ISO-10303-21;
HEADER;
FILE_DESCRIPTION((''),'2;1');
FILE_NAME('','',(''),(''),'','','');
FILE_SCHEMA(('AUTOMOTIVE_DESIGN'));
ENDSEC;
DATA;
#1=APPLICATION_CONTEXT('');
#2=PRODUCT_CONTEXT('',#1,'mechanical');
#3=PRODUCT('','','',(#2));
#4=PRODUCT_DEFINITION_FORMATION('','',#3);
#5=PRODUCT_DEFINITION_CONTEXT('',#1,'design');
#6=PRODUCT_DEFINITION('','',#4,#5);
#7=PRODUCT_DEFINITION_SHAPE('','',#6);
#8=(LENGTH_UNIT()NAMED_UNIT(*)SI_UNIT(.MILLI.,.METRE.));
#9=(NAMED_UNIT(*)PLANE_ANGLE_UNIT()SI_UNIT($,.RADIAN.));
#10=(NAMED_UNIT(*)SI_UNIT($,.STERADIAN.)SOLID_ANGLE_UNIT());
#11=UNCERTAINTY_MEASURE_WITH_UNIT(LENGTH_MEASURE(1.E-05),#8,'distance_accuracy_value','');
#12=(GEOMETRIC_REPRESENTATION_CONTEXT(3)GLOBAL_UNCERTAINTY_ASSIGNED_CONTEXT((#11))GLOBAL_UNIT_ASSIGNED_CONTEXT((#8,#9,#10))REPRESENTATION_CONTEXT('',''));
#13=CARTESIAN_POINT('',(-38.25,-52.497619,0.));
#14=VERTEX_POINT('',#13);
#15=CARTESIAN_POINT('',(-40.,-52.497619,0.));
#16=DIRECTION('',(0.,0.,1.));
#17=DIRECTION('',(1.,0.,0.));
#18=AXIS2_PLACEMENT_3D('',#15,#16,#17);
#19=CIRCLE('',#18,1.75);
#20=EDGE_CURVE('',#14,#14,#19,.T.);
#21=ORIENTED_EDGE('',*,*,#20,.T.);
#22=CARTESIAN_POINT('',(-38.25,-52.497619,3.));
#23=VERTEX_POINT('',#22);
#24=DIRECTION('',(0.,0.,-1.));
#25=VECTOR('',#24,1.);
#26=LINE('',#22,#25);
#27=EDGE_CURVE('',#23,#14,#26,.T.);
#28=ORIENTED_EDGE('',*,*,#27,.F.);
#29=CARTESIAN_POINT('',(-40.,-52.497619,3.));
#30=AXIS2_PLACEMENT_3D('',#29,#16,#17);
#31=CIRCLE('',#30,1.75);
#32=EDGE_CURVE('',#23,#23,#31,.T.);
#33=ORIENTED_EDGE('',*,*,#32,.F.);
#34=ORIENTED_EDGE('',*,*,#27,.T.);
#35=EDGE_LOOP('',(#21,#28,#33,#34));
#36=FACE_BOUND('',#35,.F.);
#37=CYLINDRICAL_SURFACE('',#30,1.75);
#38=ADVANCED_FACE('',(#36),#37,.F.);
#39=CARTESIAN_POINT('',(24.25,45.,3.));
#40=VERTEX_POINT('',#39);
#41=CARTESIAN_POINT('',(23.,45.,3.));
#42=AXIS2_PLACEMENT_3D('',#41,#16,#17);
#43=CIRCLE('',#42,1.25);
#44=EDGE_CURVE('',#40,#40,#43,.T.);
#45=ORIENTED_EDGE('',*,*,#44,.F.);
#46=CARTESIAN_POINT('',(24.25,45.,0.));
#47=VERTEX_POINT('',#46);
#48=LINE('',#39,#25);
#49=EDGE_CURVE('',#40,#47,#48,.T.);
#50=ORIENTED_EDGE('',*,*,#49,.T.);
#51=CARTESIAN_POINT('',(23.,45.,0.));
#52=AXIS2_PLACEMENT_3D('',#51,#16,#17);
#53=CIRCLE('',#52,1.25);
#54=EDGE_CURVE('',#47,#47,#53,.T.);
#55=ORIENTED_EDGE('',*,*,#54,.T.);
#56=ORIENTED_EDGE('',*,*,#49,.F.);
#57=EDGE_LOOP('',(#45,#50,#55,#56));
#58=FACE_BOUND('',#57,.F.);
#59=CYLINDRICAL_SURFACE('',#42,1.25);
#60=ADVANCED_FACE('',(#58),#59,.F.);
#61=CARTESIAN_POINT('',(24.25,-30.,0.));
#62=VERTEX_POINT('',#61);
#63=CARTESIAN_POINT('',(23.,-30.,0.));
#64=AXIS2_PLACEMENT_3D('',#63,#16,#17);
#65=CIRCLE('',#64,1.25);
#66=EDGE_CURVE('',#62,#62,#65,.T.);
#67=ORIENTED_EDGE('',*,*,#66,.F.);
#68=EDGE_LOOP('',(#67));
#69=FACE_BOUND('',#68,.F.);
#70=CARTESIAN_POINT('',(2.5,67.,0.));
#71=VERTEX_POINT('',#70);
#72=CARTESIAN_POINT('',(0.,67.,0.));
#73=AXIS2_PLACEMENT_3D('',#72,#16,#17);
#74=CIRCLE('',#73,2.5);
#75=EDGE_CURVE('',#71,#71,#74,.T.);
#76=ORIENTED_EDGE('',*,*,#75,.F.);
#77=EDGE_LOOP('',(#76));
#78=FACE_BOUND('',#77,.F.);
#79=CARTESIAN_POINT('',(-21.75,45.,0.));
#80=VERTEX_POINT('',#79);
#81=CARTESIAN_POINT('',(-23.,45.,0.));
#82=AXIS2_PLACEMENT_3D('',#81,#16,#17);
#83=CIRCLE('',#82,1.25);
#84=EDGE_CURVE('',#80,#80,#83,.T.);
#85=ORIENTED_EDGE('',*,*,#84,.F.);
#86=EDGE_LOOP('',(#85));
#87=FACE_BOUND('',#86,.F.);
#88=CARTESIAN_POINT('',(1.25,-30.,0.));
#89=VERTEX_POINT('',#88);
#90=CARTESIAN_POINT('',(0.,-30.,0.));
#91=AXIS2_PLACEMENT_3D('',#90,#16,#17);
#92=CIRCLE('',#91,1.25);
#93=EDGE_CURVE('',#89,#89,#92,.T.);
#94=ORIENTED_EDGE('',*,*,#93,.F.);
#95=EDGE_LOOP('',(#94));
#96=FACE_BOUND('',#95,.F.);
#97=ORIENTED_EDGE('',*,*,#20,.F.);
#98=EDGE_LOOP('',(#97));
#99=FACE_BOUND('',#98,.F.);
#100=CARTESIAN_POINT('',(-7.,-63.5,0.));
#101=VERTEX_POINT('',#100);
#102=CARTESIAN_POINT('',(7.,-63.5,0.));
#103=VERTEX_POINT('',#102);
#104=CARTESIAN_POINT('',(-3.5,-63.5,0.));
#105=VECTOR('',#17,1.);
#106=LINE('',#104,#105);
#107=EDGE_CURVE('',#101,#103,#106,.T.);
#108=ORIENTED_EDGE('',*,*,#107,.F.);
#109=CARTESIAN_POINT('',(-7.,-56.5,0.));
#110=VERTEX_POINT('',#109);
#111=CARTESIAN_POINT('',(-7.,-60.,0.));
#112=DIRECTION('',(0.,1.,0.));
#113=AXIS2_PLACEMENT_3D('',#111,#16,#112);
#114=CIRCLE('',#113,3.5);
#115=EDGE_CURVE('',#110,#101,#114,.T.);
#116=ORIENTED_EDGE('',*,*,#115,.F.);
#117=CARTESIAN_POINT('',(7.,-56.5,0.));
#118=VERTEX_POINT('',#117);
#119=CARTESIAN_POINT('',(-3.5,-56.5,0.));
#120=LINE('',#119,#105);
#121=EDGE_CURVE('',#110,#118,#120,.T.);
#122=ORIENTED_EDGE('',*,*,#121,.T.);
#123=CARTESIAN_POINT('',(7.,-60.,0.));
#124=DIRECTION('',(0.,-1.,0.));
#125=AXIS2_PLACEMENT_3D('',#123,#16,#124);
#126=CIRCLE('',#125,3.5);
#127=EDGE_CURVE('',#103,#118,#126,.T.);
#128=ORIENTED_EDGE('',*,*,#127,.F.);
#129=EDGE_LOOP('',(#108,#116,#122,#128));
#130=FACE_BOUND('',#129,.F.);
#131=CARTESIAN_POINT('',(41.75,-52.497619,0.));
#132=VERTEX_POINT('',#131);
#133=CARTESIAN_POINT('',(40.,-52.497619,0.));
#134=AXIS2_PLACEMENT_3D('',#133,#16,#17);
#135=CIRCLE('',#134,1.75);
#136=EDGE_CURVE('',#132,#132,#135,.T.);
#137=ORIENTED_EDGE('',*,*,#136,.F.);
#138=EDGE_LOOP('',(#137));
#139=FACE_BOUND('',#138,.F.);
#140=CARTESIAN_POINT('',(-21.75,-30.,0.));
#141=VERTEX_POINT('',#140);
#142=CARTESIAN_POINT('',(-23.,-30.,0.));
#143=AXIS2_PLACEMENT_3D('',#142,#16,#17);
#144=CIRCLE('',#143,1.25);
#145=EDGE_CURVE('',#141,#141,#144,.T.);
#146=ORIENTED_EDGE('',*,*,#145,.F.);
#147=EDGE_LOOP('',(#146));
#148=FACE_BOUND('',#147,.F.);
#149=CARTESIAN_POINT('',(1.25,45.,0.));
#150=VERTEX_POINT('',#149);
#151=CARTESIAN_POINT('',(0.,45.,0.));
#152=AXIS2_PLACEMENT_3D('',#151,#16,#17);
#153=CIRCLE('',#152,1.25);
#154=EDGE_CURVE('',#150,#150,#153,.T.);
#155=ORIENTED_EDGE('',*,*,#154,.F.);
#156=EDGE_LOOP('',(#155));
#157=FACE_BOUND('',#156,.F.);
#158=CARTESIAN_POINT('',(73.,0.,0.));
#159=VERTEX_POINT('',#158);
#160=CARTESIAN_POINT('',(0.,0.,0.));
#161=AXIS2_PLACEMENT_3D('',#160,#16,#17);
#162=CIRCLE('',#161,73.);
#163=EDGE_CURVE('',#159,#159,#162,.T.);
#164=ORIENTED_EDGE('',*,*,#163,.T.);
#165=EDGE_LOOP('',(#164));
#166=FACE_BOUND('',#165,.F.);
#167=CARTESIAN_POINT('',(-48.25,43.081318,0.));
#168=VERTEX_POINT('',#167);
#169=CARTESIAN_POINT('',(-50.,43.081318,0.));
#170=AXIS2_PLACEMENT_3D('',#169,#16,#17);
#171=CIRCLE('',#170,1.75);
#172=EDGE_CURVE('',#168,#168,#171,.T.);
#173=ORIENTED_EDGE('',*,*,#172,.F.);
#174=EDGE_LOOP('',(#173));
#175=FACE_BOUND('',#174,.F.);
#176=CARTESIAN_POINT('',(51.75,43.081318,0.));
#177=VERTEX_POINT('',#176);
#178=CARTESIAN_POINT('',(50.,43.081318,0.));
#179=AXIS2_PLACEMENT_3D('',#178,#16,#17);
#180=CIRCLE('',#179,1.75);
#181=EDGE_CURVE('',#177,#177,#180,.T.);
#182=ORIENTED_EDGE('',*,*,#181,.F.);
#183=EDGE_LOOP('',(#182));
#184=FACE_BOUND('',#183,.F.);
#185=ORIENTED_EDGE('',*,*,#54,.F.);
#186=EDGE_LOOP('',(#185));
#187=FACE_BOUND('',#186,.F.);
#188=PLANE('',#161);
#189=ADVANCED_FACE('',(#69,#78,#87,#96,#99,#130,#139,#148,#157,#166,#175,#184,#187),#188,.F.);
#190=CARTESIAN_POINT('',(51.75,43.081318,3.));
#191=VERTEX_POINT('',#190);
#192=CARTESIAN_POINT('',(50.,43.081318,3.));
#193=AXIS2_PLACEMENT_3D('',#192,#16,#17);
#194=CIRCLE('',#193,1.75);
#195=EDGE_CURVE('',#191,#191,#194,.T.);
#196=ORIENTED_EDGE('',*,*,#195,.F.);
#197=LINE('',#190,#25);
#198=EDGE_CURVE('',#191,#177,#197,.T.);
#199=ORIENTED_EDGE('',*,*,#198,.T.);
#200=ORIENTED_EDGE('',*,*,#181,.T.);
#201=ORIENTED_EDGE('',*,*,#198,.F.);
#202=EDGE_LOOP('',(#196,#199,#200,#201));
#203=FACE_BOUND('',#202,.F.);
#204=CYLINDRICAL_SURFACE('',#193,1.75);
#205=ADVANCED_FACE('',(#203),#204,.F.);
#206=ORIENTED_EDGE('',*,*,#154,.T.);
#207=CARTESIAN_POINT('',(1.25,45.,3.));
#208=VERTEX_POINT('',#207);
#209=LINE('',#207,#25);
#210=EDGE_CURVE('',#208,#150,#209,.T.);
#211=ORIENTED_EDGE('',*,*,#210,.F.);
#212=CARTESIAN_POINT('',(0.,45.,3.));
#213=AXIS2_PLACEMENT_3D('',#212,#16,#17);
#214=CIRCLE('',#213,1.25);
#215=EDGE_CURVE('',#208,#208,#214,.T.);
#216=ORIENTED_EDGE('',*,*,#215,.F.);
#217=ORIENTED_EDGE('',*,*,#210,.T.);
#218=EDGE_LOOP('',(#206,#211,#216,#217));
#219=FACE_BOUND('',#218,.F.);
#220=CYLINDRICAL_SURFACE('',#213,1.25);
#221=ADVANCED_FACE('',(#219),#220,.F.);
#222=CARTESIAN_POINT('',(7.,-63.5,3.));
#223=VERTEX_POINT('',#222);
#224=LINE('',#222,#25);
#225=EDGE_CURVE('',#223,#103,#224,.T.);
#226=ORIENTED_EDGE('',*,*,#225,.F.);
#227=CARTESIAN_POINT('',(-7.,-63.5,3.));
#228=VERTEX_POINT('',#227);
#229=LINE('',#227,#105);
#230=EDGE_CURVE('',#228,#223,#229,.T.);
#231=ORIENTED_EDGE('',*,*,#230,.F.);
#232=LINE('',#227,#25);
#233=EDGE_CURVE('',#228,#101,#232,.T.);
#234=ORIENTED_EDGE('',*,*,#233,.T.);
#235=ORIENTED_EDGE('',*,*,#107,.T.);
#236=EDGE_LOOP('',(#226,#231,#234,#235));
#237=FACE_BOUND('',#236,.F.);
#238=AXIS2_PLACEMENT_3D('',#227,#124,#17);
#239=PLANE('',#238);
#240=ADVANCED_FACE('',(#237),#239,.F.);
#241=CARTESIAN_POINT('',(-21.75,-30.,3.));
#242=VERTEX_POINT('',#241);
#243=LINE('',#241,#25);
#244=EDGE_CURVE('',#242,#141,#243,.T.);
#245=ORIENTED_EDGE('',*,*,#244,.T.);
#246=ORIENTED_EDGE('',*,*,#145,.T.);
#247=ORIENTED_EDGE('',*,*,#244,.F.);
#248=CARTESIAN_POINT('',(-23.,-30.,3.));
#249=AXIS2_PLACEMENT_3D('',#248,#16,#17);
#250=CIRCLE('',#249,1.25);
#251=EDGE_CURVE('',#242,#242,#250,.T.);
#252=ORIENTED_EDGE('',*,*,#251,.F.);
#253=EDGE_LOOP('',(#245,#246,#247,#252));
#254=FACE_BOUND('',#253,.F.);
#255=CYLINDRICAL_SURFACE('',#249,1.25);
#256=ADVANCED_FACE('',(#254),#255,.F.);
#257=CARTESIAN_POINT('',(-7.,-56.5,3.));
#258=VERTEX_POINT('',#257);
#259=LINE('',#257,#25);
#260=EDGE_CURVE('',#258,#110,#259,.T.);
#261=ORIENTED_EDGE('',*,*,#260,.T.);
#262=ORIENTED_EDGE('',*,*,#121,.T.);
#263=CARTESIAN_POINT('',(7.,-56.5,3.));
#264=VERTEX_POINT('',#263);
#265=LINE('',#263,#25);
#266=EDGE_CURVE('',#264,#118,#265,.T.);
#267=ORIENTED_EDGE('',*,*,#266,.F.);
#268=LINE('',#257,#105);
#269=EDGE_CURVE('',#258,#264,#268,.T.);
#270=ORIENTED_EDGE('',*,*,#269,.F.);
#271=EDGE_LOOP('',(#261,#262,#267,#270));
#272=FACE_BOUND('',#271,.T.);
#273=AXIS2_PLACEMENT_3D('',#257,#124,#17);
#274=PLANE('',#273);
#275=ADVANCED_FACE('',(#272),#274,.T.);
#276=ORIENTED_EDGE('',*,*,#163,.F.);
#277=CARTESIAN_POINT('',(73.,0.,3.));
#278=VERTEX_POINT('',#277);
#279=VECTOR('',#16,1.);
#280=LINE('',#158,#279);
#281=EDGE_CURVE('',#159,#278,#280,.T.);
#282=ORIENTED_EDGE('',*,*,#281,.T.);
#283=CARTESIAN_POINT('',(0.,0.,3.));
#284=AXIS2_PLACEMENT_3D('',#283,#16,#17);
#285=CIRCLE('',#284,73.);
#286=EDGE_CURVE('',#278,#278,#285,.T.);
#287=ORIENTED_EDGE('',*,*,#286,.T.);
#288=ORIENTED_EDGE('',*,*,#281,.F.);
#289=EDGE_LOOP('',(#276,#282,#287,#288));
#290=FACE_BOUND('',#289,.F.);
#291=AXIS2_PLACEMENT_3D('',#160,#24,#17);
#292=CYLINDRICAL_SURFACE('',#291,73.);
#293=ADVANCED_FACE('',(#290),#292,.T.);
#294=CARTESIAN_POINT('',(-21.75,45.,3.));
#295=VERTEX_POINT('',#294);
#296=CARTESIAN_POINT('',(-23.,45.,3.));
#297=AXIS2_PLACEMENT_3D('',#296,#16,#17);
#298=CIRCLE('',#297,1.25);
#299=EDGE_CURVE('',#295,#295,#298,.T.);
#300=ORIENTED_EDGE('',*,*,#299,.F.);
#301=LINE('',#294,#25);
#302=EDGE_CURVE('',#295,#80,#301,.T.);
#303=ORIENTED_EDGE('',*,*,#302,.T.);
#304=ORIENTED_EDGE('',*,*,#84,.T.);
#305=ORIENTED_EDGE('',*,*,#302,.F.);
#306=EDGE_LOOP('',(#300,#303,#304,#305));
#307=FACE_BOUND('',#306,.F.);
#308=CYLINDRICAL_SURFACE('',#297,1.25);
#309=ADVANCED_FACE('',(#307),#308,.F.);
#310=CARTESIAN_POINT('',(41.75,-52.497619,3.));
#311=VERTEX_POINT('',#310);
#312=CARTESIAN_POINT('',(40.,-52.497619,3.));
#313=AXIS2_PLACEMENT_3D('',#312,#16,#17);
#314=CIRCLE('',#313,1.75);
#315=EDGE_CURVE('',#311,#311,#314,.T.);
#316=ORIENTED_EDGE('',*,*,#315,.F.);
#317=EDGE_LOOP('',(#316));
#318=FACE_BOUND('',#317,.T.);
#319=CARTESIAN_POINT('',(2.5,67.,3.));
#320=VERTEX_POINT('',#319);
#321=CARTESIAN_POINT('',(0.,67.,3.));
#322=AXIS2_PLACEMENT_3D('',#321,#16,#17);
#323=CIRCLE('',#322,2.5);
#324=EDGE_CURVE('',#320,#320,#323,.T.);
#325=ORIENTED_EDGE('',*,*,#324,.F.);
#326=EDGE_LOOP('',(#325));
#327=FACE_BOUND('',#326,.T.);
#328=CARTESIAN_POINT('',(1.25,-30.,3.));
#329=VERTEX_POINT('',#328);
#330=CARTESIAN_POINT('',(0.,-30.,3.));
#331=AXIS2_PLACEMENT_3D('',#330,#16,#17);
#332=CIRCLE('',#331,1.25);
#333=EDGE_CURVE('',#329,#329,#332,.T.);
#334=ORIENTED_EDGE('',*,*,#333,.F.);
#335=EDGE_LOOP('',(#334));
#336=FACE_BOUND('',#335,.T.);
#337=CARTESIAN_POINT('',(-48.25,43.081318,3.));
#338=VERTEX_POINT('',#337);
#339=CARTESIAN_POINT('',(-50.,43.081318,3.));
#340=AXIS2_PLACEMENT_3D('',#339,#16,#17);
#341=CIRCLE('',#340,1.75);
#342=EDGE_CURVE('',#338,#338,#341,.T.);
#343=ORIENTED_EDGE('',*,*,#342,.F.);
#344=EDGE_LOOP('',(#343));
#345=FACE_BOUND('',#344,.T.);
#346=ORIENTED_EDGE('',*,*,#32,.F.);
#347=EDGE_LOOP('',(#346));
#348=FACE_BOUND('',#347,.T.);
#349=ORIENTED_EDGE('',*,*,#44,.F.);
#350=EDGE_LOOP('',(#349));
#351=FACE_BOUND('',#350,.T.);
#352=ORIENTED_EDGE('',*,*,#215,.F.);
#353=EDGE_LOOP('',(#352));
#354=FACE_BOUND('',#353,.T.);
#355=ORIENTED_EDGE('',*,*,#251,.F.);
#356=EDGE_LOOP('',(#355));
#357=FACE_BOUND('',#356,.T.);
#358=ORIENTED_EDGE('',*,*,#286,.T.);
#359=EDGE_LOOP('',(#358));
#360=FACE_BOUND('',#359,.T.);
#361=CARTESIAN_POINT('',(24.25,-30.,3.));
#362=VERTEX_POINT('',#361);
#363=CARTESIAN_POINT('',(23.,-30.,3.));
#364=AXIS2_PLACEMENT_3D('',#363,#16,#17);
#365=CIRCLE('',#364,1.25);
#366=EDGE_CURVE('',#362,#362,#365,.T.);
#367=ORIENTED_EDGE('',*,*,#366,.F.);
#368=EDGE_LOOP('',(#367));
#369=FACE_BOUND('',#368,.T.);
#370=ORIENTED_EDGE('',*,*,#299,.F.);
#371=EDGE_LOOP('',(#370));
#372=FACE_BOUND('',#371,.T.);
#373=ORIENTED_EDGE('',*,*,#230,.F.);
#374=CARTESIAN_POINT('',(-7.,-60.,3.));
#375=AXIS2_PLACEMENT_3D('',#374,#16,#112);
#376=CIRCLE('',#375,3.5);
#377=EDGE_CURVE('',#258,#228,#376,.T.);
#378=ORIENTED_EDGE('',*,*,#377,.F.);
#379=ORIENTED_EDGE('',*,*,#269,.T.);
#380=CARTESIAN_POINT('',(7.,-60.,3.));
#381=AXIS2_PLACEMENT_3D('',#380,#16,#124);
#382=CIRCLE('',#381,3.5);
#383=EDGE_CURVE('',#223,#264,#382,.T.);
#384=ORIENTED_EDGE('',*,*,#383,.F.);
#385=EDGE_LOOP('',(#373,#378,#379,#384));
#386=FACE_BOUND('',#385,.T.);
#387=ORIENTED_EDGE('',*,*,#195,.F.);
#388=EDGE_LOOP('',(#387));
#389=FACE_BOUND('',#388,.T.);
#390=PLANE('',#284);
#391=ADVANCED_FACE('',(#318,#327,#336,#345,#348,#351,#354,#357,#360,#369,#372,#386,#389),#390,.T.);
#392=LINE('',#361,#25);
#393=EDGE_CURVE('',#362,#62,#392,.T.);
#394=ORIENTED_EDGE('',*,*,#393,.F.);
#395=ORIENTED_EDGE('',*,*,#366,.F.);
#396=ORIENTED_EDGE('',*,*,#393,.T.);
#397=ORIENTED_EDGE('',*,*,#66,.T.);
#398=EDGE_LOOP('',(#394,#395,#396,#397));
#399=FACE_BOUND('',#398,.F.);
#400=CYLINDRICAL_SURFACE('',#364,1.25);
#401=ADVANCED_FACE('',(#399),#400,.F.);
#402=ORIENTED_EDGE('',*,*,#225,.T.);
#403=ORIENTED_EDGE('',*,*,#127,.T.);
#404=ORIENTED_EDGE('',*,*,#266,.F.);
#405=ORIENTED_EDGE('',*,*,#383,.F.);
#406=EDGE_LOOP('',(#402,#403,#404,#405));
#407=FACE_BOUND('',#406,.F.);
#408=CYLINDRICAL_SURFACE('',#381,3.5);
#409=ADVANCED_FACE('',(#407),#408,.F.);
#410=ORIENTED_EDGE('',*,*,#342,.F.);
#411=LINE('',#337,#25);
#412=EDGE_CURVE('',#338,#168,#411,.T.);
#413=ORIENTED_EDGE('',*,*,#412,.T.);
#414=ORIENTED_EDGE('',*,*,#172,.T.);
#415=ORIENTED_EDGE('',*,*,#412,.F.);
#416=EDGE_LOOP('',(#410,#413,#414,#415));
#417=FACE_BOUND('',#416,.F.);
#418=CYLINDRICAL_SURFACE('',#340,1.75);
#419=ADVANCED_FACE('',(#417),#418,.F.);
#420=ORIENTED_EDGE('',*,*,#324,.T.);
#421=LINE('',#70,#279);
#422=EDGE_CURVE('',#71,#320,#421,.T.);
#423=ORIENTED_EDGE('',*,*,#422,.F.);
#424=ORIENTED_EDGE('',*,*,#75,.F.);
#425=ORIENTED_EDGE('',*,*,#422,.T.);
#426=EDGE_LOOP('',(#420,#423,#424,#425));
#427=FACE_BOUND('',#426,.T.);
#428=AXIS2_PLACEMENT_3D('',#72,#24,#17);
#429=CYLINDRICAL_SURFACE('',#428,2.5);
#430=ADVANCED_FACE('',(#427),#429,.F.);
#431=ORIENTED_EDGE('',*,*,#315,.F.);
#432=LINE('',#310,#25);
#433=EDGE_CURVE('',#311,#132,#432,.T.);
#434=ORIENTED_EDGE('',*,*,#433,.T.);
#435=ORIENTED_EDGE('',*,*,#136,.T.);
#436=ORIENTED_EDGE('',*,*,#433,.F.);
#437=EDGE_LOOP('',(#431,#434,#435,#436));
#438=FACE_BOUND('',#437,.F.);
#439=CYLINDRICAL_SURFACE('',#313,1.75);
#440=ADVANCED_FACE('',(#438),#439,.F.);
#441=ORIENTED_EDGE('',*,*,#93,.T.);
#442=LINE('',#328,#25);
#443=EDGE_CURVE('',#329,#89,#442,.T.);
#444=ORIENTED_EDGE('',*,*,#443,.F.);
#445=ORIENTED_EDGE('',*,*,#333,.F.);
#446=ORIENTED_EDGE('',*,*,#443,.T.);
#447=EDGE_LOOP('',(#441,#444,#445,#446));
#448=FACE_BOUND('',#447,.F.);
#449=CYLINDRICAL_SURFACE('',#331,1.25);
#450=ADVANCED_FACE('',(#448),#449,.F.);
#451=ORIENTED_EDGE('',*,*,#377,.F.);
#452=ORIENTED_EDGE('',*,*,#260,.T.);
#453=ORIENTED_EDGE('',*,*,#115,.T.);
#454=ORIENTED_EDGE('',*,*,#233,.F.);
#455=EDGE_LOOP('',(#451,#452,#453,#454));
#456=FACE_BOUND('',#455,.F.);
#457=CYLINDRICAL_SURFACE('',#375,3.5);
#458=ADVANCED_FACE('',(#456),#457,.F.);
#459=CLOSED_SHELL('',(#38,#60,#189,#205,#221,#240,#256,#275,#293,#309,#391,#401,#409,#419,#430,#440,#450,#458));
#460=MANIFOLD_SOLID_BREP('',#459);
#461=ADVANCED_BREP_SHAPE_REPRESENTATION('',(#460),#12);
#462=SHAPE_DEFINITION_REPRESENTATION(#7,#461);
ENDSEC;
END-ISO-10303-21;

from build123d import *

# Parameters (mm, degrees)
SKETCH_R        = 73
SKETCH_R_2      = 2.5
PAD_DEPTH       = 3
SKETCH002_R     = 1.75
POCKET_DEPTH    = 3.001
SKETCH003_R     = 1.25
POCKET001_DEPTH = 3.001


with BuildPart() as part:
    # Sketch → Pad (new body)
    with BuildSketch(Plane.XY):
        Circle(SKETCH_R)
        with Locations((0, 67)):
            Circle(SKETCH_R_2, mode=Mode.SUBTRACT)
    extrude(amount=PAD_DEPTH)

    # Sketch002 (on Face4 of Pad) → Pocket (cut, through all)
    with BuildSketch(Plane.XY.offset(3)):
        with Locations((-40, -52.497619)):
            Circle(SKETCH002_R)
        with Locations((40, -52.497619)):
            Circle(SKETCH002_R)
        with Locations((-50, 43.081318)):
            Circle(SKETCH002_R)
        with Locations((50, 43.081318)):
            Circle(SKETCH002_R)
    extrude(amount=-POCKET_DEPTH, mode=Mode.SUBTRACT)

    # Sketch003 (on Face3 of Pocket) → Pocket001 (cut, through all)
    with BuildSketch(Plane.XY.offset(3)):
        with Locations((-23, 45)):
            Circle(SKETCH003_R)
        with Locations((-23, -30)):
            Circle(SKETCH003_R)
        with Locations((0, 45)):
            Circle(SKETCH003_R)
        with Locations((0, -30)):
            Circle(SKETCH003_R)
        with Locations((23, 45)):
            Circle(SKETCH003_R)
        with Locations((23, -30)):
            Circle(SKETCH003_R)
        with BuildLine():
            ThreePointArc((-7, -56.5), (-10.5, -60), (-7, -63.5))
            Line((-7, -63.5), (7, -63.5))
            ThreePointArc((7, -63.5), (10.5, -60), (7, -56.5))
            Line((-7, -56.5), (7, -56.5))
        make_face()
    extrude(amount=-POCKET001_DEPTH, mode=Mode.SUBTRACT)


solid = part.part
